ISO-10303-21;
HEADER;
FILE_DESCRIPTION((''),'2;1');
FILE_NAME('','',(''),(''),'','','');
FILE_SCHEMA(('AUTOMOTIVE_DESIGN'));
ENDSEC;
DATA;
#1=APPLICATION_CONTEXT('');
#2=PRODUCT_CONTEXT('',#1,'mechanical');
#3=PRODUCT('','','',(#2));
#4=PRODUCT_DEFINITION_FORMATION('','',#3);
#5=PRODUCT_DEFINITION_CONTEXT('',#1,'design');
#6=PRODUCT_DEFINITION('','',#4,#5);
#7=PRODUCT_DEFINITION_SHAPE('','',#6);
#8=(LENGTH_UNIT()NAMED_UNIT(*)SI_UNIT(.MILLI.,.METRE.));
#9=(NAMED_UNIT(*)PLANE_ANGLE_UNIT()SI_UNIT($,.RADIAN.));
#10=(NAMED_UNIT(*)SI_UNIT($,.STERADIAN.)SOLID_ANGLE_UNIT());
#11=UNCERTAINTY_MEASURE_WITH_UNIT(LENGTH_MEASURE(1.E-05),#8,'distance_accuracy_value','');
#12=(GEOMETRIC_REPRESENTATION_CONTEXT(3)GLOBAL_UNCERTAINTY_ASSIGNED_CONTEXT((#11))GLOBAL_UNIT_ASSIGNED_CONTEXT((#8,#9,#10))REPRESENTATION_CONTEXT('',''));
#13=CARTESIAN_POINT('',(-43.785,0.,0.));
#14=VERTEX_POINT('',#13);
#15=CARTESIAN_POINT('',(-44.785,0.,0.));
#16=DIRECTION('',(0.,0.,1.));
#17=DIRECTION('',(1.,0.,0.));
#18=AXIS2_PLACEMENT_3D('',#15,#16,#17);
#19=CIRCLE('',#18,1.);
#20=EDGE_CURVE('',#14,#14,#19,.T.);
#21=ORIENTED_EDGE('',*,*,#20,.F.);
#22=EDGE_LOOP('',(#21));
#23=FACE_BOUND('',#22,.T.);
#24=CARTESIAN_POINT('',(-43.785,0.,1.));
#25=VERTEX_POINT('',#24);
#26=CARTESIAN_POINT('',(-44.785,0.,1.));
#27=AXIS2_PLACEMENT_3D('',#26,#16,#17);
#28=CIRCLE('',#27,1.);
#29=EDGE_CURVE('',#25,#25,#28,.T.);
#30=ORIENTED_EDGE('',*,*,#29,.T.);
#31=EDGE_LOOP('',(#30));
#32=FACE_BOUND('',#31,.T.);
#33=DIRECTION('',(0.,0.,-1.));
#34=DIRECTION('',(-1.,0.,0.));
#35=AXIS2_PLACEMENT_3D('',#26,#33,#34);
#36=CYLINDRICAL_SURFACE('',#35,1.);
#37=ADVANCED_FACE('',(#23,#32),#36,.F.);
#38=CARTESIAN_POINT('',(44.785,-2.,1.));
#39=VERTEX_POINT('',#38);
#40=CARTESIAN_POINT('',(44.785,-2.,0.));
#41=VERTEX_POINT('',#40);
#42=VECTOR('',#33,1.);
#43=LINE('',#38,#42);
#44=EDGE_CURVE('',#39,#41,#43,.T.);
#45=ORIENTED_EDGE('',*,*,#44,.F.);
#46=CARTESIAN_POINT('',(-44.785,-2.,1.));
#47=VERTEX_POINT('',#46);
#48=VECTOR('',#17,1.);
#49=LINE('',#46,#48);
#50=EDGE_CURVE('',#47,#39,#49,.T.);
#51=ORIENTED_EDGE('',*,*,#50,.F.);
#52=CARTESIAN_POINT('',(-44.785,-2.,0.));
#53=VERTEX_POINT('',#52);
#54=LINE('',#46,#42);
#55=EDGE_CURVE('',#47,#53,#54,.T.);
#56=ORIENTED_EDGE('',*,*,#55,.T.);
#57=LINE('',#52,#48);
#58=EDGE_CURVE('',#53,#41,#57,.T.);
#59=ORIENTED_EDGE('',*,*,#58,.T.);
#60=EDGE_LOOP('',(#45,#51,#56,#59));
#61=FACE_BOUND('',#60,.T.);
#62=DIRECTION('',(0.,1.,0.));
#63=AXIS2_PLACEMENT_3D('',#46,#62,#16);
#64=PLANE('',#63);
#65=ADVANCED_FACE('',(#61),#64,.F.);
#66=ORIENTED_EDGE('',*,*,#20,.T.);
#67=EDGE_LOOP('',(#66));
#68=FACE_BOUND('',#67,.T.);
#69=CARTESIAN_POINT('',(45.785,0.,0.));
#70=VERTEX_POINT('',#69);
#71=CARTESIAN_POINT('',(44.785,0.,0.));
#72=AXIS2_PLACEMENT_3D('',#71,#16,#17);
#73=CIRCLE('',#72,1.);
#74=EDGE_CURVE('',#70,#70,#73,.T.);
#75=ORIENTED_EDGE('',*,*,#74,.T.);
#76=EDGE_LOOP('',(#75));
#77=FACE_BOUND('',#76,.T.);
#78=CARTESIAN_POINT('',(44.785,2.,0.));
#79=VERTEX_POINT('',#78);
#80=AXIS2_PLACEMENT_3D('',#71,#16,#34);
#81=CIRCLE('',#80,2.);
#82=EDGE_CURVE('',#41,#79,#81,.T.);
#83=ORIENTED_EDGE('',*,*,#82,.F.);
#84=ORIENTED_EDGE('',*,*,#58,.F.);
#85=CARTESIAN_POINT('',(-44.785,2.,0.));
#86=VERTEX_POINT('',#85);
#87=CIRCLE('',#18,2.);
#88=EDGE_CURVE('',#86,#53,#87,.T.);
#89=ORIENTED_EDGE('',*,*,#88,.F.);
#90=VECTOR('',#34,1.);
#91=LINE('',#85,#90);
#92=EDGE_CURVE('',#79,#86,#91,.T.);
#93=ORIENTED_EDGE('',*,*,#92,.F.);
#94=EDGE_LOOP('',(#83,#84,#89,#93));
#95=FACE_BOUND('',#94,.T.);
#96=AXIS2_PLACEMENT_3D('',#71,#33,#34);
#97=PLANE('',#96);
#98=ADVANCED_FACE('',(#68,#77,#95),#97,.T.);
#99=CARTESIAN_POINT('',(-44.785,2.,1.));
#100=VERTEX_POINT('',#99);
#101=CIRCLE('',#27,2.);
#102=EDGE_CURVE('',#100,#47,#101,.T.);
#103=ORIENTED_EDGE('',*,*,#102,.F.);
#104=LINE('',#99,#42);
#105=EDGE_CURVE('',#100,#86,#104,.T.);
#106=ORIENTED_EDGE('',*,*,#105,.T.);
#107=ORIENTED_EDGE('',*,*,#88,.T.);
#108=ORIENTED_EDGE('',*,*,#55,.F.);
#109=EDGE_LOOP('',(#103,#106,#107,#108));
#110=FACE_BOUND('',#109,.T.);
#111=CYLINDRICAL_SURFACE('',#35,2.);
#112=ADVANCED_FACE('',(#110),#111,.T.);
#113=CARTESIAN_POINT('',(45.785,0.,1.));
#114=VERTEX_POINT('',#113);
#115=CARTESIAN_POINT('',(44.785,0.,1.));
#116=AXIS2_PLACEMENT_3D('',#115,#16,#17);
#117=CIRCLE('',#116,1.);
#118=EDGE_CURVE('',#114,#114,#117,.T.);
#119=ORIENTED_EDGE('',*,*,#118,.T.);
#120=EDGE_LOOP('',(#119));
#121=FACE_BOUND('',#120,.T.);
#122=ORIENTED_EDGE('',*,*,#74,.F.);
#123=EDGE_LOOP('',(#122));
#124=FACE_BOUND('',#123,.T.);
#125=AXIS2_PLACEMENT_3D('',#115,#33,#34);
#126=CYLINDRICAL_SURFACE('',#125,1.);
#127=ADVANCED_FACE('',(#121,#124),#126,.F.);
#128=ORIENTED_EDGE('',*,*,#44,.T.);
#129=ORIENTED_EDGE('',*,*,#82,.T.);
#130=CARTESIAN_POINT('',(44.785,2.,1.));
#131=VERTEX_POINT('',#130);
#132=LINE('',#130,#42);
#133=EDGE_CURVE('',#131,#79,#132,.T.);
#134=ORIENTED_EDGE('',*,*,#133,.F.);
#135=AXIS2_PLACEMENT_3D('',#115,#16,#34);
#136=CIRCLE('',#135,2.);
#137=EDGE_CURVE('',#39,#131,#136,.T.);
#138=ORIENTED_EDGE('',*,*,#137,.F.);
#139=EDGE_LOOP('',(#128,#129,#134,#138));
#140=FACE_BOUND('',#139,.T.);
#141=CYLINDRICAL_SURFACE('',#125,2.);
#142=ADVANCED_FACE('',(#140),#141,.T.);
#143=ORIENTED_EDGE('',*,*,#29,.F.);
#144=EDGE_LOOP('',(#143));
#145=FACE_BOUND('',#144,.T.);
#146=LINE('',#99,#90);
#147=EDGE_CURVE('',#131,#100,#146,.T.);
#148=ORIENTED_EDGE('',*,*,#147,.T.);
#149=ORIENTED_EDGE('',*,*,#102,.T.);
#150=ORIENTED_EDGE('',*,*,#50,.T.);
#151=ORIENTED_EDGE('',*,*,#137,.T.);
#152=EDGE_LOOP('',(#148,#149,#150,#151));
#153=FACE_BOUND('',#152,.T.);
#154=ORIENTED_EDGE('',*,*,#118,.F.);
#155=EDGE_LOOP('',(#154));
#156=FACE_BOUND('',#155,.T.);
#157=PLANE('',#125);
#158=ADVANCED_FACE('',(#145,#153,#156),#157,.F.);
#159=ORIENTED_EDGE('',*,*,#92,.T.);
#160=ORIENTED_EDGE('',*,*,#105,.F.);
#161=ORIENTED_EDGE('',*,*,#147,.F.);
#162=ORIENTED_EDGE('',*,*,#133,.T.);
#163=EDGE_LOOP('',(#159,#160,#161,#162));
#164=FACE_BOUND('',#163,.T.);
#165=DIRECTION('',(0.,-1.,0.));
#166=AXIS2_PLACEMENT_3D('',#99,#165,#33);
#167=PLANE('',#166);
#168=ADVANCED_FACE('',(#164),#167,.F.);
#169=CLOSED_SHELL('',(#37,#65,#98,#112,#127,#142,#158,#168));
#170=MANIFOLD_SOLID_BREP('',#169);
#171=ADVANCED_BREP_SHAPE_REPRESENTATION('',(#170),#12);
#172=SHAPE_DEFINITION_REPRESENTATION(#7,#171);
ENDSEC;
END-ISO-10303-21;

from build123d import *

# Parameters (mm, degrees)
ESBO_O1_R                = 1
RESSALTO_EXTRUS_O1_DEPTH = 1


with BuildPart() as part:
    # Esboço1 → Ressalto-extrusão1 (new body)
    with BuildSketch(Plane.XY):
        with BuildLine():
            Line((-44.785, 2), (44.785, 2))
            ThreePointArc((44.785, 2), (46.785, 0), (44.785, -2))
            Line((44.785, -2), (-44.785, -2))
            ThreePointArc((-44.785, -2), (-46.785, 0), (-44.785, 2))
        make_face()
        with Locations((-44.785, 0)):
            Circle(ESBO_O1_R, mode=Mode.SUBTRACT)
        with Locations((44.785, 0)):
            Circle(ESBO_O1_R, mode=Mode.SUBTRACT)
    extrude(amount=RESSALTO_EXTRUS_O1_DEPTH)


solid = part.part
